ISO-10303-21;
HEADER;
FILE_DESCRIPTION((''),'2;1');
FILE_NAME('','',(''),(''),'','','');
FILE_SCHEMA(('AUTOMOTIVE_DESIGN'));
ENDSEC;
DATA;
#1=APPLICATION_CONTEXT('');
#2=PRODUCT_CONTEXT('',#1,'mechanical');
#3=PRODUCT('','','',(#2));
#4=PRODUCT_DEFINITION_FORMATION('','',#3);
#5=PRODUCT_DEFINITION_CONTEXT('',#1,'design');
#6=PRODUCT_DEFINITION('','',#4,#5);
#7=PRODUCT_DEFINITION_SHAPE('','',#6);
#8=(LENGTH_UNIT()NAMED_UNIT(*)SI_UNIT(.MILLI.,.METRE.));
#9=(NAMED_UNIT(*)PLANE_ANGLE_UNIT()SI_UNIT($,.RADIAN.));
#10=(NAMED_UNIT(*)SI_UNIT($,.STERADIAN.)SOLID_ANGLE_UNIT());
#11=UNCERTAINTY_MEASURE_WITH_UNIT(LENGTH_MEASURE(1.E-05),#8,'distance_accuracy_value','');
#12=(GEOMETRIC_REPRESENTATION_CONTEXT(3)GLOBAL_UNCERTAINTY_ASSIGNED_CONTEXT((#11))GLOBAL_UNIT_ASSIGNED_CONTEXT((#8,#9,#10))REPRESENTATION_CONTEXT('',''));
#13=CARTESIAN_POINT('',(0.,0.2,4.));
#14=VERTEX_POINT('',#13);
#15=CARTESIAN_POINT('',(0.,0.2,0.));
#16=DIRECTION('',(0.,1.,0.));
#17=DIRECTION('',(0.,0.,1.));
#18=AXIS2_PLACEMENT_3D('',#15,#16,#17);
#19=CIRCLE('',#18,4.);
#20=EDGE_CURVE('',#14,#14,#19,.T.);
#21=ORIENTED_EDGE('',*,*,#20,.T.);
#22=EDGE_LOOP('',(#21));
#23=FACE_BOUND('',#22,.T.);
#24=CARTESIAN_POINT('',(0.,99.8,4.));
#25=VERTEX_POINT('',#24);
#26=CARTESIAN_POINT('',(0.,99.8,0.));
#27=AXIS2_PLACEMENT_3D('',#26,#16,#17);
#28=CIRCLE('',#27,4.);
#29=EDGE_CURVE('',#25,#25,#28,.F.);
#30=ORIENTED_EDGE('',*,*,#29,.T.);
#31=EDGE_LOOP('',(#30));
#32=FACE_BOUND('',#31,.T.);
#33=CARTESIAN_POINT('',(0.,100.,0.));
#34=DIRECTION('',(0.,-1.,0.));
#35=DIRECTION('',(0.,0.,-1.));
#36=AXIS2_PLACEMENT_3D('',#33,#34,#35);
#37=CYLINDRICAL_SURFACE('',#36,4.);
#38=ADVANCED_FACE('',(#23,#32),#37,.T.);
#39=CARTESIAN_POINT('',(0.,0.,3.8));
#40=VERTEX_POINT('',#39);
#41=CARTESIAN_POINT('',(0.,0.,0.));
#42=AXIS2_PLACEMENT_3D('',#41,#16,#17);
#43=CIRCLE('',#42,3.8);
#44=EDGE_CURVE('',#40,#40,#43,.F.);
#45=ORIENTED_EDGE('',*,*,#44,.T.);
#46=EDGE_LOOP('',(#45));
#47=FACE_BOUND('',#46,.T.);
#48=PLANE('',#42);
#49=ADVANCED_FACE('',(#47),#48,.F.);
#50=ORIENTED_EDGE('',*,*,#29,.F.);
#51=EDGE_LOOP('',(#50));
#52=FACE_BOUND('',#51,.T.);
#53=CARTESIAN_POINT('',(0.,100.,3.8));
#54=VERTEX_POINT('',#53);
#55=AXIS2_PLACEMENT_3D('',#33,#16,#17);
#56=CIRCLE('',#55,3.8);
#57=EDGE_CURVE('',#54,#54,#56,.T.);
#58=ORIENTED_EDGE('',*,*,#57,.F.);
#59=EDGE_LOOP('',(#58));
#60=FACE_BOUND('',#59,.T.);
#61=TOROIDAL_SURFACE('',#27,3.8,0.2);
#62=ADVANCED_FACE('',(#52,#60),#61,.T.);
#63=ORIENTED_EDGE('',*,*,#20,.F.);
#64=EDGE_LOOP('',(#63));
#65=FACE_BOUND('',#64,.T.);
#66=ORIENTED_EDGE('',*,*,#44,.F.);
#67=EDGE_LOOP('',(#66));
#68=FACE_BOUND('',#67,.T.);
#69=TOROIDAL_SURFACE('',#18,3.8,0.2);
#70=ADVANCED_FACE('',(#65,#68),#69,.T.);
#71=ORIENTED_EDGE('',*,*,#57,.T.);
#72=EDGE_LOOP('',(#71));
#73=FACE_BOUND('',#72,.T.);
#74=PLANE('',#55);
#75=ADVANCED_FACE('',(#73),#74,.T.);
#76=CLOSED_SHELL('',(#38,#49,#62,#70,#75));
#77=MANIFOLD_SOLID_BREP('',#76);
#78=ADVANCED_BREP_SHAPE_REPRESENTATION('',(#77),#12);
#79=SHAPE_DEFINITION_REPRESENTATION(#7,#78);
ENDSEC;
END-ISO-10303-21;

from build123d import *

# Parameters (mm, degrees)
SKETCH1_R           = 4
BOSS_EXTRUDE1_DEPTH = 100
FILLET1_R           = 0.2


with BuildPart() as part:
    # Sketch1 → Boss-Extrude1 (new body)
    with BuildSketch(Plane(origin=(0, 0, 0), x_dir=(1, 0, 0), z_dir=(0, 1, 0))):
        Circle(SKETCH1_R)
    extrude(amount=BOSS_EXTRUDE1_DEPTH)

    # Fillet1
    fillet1_edges = [part.edges().sort_by_distance(p)[0] for p in [
        (-4, 0, 0),
        (-4, 100, 0),
    ]]
    fillet(fillet1_edges, radius=FILLET1_R)


solid = part.part
